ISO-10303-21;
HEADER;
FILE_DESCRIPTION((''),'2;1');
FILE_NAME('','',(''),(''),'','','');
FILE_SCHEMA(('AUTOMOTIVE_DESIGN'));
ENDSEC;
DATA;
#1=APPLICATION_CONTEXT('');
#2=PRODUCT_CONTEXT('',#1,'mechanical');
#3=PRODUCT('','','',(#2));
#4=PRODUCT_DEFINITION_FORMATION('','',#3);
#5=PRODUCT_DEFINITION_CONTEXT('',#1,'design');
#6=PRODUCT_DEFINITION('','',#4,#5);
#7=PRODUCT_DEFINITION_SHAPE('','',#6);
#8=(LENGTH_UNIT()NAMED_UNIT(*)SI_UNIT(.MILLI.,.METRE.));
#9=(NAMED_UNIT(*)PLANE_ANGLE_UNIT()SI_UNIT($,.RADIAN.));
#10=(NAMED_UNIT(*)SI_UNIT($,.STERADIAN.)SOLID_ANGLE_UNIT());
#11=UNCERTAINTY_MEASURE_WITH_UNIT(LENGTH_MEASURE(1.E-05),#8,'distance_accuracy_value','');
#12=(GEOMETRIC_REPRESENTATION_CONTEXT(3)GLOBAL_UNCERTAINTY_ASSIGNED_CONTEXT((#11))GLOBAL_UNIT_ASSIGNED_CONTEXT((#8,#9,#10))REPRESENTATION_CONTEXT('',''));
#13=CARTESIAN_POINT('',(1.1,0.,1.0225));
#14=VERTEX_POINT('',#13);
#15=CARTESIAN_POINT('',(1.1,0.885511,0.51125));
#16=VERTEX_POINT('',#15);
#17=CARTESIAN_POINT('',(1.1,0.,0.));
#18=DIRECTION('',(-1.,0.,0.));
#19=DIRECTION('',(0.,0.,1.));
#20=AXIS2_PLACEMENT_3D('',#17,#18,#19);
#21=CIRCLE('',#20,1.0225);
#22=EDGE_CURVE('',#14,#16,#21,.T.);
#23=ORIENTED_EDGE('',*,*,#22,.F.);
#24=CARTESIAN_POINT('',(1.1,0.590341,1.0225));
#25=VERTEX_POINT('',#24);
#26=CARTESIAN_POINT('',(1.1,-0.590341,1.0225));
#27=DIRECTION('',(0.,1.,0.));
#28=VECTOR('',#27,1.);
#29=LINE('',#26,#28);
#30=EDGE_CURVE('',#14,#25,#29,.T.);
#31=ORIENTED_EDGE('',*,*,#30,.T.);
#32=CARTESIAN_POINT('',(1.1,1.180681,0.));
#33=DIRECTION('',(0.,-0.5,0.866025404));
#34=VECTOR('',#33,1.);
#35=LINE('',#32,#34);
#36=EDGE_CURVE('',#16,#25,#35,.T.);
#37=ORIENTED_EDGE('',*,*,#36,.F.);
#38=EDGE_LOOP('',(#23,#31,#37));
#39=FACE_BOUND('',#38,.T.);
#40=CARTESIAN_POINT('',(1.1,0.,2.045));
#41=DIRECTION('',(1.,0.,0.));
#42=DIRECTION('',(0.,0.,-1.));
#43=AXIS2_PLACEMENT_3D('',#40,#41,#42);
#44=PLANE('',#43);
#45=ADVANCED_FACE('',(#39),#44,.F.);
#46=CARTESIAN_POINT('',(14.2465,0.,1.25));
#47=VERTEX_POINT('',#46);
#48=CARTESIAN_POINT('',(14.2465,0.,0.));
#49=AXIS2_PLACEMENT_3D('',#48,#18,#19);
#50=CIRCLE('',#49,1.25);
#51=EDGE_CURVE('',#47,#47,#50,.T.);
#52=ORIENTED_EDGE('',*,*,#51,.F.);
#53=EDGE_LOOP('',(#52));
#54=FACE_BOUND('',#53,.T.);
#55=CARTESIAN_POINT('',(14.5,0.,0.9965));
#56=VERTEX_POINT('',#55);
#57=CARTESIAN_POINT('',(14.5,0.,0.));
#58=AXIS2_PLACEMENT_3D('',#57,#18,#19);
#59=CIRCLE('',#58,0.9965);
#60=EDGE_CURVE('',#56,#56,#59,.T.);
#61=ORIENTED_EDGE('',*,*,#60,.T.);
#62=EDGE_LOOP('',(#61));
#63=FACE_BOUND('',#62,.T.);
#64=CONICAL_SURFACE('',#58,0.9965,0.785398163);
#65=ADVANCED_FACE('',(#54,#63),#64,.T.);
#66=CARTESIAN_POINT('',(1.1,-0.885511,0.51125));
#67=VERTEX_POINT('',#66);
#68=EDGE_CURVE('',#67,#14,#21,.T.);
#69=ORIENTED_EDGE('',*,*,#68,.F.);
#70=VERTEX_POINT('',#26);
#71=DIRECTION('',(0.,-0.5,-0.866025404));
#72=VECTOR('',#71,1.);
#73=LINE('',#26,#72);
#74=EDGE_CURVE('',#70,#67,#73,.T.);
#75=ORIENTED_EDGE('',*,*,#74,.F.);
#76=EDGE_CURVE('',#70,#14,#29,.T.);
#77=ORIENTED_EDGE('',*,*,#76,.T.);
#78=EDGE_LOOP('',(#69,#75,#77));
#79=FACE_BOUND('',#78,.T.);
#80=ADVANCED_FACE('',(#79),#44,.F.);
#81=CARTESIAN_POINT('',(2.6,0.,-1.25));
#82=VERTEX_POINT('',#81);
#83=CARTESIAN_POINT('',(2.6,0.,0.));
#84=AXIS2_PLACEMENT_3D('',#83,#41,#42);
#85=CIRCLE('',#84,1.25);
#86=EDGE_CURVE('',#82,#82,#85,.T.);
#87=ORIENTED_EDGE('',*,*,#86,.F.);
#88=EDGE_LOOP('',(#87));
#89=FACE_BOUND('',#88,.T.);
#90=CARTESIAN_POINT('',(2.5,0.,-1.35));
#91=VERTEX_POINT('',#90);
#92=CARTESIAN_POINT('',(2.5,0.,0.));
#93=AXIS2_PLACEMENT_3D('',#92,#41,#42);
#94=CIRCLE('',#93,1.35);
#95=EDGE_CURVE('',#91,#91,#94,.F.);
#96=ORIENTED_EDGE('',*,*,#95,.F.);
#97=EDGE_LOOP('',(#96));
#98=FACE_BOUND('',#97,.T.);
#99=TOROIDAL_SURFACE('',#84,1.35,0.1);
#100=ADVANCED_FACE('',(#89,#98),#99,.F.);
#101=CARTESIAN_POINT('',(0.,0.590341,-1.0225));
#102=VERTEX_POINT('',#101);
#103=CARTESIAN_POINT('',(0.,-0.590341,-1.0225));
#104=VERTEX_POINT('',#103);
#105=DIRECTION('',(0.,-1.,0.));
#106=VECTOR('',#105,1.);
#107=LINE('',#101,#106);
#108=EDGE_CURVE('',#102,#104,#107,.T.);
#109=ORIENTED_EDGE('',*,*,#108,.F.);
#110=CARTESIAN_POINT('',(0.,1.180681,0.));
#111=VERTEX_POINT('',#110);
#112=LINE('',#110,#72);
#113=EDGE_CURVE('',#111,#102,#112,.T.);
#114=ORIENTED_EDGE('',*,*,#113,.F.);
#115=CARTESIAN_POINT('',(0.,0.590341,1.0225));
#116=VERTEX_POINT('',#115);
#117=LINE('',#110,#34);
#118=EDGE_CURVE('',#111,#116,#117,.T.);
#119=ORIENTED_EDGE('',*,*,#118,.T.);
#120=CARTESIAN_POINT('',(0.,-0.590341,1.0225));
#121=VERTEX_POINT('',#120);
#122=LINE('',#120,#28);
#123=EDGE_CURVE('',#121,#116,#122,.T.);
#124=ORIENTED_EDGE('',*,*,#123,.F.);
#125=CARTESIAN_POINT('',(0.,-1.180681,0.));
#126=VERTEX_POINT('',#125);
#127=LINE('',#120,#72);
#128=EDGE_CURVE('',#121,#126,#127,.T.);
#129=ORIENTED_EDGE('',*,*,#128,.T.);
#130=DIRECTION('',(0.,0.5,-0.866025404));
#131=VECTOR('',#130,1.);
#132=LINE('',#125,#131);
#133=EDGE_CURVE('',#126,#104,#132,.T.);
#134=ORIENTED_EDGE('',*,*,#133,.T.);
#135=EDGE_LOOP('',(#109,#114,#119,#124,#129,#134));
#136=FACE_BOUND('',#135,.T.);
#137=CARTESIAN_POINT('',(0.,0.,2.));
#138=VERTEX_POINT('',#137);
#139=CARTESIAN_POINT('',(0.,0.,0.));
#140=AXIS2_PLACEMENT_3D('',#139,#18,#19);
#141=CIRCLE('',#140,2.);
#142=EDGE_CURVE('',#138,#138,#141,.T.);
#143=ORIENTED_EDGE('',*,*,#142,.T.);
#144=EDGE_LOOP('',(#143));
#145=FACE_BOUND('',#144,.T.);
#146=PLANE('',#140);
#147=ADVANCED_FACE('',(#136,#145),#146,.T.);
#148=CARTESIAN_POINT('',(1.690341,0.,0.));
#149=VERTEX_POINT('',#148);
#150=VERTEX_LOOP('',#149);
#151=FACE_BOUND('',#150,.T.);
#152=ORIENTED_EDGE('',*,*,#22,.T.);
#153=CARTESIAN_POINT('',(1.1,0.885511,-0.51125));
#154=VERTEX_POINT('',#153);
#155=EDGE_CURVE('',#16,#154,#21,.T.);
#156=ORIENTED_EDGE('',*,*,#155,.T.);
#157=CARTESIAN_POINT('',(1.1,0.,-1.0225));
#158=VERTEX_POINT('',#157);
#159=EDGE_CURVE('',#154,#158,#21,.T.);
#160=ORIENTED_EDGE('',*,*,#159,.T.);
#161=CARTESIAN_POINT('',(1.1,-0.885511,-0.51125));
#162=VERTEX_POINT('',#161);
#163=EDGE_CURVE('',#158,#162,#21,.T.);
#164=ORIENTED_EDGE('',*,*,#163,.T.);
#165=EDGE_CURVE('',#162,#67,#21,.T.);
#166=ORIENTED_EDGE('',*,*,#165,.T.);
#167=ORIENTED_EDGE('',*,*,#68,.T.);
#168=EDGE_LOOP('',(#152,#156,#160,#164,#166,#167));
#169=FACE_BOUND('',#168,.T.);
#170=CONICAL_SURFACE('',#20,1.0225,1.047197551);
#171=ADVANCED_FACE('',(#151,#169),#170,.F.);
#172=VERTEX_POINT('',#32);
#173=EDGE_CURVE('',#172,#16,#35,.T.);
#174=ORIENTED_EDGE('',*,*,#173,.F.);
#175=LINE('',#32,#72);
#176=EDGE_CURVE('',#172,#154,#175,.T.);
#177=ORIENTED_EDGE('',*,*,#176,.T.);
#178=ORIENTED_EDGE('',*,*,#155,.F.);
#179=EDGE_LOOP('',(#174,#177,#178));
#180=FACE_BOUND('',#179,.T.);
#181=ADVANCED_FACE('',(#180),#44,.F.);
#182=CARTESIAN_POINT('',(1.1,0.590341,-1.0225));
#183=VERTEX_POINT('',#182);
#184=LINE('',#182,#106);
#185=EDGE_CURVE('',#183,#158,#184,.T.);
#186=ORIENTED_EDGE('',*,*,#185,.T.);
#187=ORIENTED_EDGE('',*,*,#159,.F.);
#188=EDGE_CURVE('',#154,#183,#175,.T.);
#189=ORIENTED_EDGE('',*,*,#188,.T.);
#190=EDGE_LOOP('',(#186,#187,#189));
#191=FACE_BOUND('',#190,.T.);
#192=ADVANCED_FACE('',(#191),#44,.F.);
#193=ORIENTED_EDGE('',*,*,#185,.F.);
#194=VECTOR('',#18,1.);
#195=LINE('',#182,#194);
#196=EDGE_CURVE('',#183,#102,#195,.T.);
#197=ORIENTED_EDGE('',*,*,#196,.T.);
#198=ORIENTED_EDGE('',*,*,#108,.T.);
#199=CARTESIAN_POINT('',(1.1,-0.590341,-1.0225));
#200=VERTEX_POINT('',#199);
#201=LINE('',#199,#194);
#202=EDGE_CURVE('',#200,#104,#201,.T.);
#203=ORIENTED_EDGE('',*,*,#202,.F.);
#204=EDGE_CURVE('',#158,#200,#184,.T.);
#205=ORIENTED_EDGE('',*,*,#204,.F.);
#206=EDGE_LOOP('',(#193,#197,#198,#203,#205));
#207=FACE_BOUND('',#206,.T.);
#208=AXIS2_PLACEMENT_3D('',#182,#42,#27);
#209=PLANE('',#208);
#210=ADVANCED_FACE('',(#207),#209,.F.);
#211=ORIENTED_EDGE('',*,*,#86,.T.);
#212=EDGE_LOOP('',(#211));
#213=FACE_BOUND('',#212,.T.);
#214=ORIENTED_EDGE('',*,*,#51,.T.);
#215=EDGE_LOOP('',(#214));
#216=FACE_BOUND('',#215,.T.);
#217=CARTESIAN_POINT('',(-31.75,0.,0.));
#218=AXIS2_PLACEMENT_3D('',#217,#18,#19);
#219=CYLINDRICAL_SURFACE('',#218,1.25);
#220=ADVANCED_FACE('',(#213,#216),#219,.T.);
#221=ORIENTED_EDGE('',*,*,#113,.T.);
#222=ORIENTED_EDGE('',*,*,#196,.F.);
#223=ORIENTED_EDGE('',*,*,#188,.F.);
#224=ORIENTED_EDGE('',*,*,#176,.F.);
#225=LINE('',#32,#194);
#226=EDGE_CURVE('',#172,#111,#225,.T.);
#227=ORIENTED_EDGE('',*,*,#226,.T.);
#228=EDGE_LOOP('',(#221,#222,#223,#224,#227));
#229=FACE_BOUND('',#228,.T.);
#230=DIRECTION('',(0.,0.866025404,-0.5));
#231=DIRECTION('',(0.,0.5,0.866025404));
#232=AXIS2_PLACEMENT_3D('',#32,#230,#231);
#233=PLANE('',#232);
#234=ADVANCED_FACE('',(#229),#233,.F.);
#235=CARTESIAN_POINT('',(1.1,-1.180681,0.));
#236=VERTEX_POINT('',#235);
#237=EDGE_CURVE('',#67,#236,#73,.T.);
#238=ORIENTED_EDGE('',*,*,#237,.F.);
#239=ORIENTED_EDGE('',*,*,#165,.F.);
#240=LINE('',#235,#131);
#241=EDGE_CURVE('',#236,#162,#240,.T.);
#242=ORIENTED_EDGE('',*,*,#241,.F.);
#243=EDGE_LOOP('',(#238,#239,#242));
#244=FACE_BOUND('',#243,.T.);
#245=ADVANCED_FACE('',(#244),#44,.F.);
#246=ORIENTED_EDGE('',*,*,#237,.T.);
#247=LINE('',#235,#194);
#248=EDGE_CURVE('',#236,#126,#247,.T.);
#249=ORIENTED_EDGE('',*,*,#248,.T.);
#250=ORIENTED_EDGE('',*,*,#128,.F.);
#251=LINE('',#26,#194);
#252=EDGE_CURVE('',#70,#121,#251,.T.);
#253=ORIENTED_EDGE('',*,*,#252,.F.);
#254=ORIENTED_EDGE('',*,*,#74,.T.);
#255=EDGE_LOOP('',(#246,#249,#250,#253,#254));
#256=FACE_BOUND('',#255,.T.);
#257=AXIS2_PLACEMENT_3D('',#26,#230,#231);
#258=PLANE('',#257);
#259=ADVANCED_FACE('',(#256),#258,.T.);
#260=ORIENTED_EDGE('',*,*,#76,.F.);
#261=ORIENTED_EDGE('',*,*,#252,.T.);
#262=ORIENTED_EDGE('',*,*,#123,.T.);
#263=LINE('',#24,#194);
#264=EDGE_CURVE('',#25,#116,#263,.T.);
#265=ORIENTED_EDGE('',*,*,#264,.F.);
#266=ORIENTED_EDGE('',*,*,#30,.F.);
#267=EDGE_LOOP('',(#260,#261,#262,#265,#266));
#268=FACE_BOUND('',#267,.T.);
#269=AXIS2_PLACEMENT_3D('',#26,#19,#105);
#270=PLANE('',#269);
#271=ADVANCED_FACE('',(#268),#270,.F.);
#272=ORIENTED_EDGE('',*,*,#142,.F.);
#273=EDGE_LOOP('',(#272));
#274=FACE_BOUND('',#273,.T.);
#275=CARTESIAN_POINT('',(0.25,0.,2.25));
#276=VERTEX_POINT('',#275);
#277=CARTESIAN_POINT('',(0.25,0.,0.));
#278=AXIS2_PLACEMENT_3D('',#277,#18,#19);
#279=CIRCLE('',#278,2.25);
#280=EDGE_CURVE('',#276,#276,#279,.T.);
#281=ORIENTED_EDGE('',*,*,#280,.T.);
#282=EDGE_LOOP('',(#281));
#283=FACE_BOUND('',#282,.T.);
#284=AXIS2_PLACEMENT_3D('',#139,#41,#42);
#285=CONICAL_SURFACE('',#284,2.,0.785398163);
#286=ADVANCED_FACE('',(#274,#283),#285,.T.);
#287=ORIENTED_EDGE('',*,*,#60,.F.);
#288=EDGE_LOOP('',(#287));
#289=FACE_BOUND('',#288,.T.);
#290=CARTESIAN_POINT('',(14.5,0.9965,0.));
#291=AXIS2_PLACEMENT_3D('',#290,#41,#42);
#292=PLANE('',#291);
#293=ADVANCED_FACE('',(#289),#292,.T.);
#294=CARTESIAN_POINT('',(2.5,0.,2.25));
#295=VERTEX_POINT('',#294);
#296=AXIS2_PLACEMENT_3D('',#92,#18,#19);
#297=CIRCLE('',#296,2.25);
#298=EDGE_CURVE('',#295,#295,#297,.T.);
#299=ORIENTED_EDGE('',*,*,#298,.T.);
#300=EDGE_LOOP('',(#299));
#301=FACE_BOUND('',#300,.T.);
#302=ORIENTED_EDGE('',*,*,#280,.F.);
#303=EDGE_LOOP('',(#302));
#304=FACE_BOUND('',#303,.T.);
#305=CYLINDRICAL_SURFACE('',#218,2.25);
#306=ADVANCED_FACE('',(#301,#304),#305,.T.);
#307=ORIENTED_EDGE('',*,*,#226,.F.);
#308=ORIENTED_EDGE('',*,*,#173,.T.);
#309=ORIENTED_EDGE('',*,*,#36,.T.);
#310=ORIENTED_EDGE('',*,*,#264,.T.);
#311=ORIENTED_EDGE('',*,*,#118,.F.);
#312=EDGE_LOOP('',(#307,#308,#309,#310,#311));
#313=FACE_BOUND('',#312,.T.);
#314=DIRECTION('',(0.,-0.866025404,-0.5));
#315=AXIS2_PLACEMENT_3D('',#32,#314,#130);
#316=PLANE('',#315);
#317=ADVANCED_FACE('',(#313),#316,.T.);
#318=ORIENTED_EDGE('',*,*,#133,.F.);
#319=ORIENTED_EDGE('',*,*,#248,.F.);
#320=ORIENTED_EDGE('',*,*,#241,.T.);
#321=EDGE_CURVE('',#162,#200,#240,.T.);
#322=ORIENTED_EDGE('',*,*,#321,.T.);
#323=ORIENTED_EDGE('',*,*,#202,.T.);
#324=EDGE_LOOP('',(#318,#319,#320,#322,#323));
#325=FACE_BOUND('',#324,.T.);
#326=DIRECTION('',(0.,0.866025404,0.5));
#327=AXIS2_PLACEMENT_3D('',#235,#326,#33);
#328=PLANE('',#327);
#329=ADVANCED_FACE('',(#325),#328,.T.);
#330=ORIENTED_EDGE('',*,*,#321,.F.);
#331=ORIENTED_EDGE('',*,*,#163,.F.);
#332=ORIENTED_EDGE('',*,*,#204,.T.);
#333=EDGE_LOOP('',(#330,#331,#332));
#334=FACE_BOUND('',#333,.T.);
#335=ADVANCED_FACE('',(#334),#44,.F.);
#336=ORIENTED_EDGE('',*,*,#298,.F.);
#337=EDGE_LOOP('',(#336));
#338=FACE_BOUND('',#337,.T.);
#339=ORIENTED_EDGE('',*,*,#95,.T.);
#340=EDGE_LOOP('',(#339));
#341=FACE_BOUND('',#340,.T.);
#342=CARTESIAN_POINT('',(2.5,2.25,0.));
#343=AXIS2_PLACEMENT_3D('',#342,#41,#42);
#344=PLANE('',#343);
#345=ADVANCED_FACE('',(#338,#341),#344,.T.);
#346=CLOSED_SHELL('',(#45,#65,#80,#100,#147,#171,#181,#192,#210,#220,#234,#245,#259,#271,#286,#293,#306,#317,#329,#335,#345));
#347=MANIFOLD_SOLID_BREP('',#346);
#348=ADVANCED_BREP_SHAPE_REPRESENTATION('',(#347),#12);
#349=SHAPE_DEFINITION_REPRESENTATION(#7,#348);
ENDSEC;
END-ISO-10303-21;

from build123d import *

# Parameters (mm, degrees)
FILLET1_R   = 0.1
HEX_2_DEPTH = 1.1


with BuildPart() as part:
    # BodySke → Base-Revolve (revolve)
    with BuildSketch(Plane.XY, mode=Mode.PRIVATE) as base_revolve_sk:
        Polygon((0, 0), (0, 2), (0.25, 2.25), (2.5, 2.25), (2.5, 1.25), (14.2465, 1.25), (14.5, 0.9965), (14.5, 0), align=None)
    revolve(base_revolve_sk.sketch.rotate(Axis((-31.75, 0, 0), (1, 0, 0)), 90), axis=Axis((-31.75, 0, 0), (1, 0, 0)))

    # Fillet1
    fillet1_edges = [part.edges().sort_by_distance(p)[0] for p in [
        (2.5, 0, -1.25),
    ]]
    fillet(fillet1_edges, radius=FILLET1_R)

    # Sketch2 → Hex-PreBroach (revolve, cut)
    with BuildSketch(Plane.XY, mode=Mode.PRIVATE) as hex_prebroach_sk:
        Polygon((0, 1.0225), (1.1, 1.0225), (1.69034065, 0), (0, 0), align=None)
    revolve(hex_prebroach_sk.sketch.rotate(Axis((0, 0, 0), (1, 0, 0)), 90), axis=Axis((0, 0, 0), (1, 0, 0)), mode=Mode.SUBTRACT)

    # Sketch3 → Hex 2 (cut)
    with BuildSketch(Plane(origin=(0, 0, 0), x_dir=(0, 0.500000000000001, 0.866025403784438), z_dir=(-1, 0, 0))):
        Polygon((0.59034065, 1.0225), (-0.59034065, 1.0225), (-1.1806813, 0), (-0.59034065, -1.0225), (0.59034065, -1.0225), (1.1806813, 0), align=None)
    extrude(amount=-HEX_2_DEPTH, mode=Mode.SUBTRACT)


solid = part.part
